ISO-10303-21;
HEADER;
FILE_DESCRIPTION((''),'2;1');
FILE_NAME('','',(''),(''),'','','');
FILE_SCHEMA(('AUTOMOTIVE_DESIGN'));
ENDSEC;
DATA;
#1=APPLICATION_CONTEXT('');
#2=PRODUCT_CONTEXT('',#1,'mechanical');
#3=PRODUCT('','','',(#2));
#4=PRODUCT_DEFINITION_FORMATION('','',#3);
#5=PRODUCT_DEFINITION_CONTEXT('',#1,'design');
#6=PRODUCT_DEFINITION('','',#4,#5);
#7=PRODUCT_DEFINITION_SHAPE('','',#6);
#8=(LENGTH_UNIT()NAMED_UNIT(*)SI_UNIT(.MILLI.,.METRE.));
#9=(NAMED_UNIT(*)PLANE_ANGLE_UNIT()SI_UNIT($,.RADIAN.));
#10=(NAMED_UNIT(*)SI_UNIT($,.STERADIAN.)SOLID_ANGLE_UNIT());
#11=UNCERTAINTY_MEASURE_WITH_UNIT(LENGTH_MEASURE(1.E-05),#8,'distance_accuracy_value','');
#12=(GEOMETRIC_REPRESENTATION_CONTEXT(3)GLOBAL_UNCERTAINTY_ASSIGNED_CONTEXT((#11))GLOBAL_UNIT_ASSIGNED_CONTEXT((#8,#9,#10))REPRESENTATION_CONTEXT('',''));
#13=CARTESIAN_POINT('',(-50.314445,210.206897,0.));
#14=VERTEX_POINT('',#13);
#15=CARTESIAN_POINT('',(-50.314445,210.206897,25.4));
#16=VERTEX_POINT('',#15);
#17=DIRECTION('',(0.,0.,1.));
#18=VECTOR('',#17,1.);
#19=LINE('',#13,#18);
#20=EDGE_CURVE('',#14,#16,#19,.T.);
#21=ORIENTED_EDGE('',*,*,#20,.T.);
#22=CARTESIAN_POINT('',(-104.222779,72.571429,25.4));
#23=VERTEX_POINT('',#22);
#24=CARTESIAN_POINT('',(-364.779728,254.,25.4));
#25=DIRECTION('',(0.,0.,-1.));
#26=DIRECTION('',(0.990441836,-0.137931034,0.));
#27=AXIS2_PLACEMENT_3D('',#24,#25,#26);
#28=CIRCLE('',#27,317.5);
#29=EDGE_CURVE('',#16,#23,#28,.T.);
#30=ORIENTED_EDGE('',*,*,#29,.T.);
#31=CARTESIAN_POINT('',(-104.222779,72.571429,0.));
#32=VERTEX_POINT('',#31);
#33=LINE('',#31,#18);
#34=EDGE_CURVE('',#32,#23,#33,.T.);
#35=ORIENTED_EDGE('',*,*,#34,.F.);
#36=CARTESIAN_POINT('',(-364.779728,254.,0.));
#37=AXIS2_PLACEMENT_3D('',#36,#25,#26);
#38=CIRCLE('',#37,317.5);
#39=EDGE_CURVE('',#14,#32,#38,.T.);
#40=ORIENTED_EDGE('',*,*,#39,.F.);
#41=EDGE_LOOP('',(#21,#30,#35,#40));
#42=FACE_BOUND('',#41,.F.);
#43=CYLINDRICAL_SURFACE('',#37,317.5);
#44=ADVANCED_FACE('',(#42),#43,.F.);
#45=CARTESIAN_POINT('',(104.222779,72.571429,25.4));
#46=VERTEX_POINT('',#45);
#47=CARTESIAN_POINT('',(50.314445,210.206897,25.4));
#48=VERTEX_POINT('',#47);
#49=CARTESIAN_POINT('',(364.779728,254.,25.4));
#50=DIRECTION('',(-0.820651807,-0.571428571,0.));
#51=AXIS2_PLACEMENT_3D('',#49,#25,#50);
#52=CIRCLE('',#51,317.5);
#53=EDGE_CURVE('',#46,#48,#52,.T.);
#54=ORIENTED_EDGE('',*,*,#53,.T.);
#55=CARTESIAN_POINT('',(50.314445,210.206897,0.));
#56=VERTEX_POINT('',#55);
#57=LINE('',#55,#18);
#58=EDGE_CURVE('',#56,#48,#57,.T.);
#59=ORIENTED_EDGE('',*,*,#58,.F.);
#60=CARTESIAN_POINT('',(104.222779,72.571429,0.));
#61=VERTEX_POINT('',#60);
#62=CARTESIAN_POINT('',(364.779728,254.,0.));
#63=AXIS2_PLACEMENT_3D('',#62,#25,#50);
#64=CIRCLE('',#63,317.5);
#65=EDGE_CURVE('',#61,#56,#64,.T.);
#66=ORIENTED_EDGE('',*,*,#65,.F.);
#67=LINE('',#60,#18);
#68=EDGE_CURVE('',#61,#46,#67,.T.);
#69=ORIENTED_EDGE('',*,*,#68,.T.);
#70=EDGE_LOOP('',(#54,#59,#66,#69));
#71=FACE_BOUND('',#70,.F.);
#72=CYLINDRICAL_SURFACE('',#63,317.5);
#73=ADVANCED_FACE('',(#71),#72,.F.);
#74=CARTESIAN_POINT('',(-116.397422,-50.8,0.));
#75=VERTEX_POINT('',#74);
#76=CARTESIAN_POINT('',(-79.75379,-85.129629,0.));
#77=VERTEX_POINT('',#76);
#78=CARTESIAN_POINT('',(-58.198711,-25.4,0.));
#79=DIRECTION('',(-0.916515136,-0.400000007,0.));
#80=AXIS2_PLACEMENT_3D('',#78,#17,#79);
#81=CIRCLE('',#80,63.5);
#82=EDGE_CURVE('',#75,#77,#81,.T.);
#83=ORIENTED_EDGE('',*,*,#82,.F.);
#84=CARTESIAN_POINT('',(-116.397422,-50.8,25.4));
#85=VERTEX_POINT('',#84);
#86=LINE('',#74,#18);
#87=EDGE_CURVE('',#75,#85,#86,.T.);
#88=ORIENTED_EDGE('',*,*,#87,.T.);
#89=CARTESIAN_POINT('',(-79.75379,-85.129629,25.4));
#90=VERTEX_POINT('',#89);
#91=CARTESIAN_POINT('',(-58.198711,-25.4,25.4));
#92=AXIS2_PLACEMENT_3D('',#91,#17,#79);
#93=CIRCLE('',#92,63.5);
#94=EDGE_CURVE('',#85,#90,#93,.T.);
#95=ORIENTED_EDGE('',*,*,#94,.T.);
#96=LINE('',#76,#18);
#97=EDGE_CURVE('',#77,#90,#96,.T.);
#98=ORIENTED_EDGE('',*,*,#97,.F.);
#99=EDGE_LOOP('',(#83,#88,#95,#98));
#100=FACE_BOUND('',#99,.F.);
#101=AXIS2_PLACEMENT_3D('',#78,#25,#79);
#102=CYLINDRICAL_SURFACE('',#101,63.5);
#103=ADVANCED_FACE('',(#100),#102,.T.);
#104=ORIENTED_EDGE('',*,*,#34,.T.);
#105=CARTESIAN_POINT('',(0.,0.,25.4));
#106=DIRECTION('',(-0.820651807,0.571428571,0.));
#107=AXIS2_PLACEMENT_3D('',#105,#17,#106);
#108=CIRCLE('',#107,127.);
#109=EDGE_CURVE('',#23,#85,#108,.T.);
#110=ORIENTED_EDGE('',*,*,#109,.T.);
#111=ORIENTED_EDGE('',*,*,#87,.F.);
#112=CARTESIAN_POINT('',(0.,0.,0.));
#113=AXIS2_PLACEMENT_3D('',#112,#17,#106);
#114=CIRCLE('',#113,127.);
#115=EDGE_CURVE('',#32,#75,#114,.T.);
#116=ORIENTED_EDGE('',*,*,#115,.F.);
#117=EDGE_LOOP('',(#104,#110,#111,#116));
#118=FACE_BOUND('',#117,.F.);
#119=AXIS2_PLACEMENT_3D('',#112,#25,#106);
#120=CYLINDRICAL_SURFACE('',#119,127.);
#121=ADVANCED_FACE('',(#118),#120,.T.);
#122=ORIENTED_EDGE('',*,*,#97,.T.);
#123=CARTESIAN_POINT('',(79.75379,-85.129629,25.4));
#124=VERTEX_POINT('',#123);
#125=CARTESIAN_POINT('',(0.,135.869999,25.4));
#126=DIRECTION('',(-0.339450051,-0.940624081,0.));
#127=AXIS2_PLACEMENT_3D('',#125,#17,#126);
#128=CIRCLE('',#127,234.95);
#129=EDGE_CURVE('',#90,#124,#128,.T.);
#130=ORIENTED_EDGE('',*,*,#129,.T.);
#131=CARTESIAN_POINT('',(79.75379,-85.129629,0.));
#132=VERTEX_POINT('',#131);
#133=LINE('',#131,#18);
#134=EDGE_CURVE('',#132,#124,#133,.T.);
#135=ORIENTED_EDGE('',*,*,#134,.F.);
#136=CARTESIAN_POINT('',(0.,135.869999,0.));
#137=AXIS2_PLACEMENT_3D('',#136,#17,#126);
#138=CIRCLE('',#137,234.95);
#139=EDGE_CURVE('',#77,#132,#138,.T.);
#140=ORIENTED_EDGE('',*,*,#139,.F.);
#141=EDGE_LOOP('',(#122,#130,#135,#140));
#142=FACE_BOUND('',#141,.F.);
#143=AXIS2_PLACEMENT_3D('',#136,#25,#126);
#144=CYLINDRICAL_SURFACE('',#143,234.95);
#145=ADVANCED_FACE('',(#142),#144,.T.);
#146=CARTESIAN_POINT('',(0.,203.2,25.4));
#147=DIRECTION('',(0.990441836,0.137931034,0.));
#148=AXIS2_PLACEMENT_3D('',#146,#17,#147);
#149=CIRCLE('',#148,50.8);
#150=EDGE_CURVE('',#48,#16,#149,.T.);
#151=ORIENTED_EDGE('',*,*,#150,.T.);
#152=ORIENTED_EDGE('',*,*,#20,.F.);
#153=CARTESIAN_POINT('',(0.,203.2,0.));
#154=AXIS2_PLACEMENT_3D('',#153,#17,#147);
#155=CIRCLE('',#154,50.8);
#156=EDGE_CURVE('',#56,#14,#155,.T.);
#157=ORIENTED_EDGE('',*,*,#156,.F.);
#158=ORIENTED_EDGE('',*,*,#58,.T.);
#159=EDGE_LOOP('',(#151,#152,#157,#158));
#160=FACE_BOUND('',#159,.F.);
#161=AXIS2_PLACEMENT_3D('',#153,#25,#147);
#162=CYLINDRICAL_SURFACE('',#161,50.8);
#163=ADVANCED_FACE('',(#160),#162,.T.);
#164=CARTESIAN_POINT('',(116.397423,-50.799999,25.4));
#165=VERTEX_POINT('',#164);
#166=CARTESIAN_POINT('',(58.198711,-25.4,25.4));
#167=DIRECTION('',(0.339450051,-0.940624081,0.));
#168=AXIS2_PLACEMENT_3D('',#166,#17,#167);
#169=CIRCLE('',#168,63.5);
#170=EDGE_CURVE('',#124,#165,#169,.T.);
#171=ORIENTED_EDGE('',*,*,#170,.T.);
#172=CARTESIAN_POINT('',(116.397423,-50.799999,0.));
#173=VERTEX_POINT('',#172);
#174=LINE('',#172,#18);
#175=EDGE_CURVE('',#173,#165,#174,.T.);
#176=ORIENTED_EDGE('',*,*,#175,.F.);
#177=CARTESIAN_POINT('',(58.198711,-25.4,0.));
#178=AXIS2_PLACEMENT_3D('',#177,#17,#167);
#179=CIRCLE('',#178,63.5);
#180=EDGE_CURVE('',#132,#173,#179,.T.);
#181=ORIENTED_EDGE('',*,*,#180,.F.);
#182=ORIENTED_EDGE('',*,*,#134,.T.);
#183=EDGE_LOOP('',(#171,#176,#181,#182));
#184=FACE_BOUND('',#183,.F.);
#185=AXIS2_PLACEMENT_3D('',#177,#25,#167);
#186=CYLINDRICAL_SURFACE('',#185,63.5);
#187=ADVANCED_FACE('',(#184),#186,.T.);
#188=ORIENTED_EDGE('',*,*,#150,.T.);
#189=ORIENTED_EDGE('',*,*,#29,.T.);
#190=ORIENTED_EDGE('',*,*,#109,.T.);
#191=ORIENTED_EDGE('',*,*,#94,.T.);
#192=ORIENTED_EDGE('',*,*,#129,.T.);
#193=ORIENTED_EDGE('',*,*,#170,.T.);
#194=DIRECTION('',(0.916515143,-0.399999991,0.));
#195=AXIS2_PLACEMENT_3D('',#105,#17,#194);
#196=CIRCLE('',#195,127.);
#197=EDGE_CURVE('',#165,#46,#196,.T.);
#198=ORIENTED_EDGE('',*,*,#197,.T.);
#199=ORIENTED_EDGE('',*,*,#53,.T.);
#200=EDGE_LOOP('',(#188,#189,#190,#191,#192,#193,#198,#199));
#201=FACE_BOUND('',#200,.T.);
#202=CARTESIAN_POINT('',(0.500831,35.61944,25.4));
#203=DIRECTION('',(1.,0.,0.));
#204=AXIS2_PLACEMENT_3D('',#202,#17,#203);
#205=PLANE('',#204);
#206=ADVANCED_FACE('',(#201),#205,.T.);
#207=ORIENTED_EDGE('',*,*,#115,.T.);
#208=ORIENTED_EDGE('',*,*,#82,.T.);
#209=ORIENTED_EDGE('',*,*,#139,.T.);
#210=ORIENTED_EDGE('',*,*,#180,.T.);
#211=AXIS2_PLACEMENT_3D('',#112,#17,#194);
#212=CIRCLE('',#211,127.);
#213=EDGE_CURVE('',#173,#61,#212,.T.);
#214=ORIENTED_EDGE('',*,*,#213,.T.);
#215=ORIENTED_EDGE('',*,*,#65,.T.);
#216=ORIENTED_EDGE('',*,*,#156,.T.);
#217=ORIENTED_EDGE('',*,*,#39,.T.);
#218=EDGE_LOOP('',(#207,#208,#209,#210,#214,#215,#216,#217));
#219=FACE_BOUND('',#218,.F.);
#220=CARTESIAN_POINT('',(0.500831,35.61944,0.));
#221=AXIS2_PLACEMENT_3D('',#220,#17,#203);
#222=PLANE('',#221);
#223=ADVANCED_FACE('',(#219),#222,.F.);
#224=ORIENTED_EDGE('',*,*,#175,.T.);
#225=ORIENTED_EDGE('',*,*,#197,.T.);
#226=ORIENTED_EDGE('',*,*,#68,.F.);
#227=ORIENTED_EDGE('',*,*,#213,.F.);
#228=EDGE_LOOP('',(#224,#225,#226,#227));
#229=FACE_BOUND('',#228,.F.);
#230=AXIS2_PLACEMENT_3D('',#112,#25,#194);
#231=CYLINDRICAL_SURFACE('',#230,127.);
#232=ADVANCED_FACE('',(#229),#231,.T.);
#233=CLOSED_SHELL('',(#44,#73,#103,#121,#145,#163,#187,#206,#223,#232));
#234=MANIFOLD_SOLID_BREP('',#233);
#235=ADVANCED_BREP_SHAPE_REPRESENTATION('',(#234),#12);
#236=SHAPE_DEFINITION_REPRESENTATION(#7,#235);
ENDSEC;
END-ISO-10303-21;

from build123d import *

# Parameters (mm, degrees)
F1_DEPTH = 25.4


with BuildPart() as f1:
    # F0 (on Top) → F1 (new body)
    with BuildSketch(Plane.XY):
        with BuildLine():
            ThreePointArc((116.3974231574, -50.7999988418), (124.3211018713, -25.94732413), (127, 0))
            ThreePointArc((127, 0), (121.171970747, 38.0309545671), (104.2227794443, 72.5714285714))
            ThreePointArc((104.2227794443, 72.5714285714), (0, 127), (-104.2227794443, 72.5714285714))
            ThreePointArc((-104.2227794443, 72.5714285714), (-126.3860979139, 12.4721391145), (-116.3974224673, -50.8000004228))
            ThreePointArc((-116.3974224673, -50.8000004228), (-83.5987115374, 32.7987112337), (0, 0))
            ThreePointArc((0, 0), (71.1723737002, 36.7605508711), (121.6987113259, -25.4))
            ThreePointArc((121.6987113259, -25.4), (120.3592623261, -38.3736617557), (116.3974231574, -50.7999988418))
        make_face()
        with BuildLine():
            ThreePointArc((0, 0), (-83.5987115374, 32.7987112337), (-116.3974224673, -50.8000004228))
            ThreePointArc((-116.3974224673, -50.8000004228), (-101.6129668627, -71.7406130321), (-79.7537895948, -85.1296291703))
            ThreePointArc((-79.7537895948, -85.1296291703), (-33.0925403585, -83.7260677515), (0, -50.8))
            ThreePointArc((0, -50.8), (-5.3012886741, -25.4), (0, 0))
        make_face()
        with BuildLine():
            ThreePointArc((5.3012886741, -25.4), (3.9618395452, -12.4263376257), (0, 0))
            ThreePointArc((0, 0), (-5.3012886741, -25.4), (0, -50.8))
            ThreePointArc((0, -50.8), (3.9618395452, -38.3736623743), (5.3012886741, -25.4))
        make_face()
        with BuildLine():
            ThreePointArc((79.7537895948, -85.1296291703), (101.6129674921, -71.7406124424), (116.3974231574, -50.7999988418))
            ThreePointArc((116.3974231574, -50.7999988418), (120.3592623261, -38.3736617557), (121.6987113259, -25.4))
            ThreePointArc((121.6987113259, -25.4), (71.1723737002, 36.7605508711), (0, 0))
            ThreePointArc((0, 0), (3.9618395452, -12.4263376257), (5.3012886741, -25.4))
            ThreePointArc((5.3012886741, -25.4), (3.9618395452, -38.3736623743), (0, -50.8))
            ThreePointArc((0, -50.8), (33.0925403585, -83.7260677515), (79.7537895948, -85.1296291703))
        make_face()
        with BuildLine():
            ThreePointArc((-79.7537895948, -85.1296291703), (0, -99.0800012402), (79.7537895948, -85.1296291703))
            ThreePointArc((79.7537895948, -85.1296291703), (33.0925403585, -83.7260677515), (0, -50.8))
            ThreePointArc((0, -50.8), (-33.0925403585, -83.7260677515), (-79.7537895948, -85.1296291703))
        make_face()
        with BuildLine():
            ThreePointArc((-104.2227794443, 72.5714285714), (0, 127), (104.2227794443, 72.5714285714))
            ThreePointArc((104.2227794443, 72.5714285714), (69.1473175054, 138.2082566307), (50.314445249, 210.2068965517))
            ThreePointArc((50.314445249, 210.2068965517), (50.678465933, 206.711850036), (50.8, 203.2))
            ThreePointArc((50.8, 203.2), (-3.511850036, 152.521534067), (-50.314445249, 210.2068965517))
            ThreePointArc((-50.314445249, 210.2068965517), (-69.1473175054, 138.2082566307), (-104.2227794443, 72.5714285714))
        make_face()
        with BuildLine():
            ThreePointArc((50.8, 203.2), (50.678465933, 206.711850036), (50.314445249, 210.2068965517))
            ThreePointArc((50.314445249, 210.2068965517), (0, 254), (-50.314445249, 210.2068965517))
            ThreePointArc((-50.314445249, 210.2068965517), (-3.511850036, 152.521534067), (50.8, 203.2))
        make_face()
    extrude(amount=F1_DEPTH)


solid = f1.part
